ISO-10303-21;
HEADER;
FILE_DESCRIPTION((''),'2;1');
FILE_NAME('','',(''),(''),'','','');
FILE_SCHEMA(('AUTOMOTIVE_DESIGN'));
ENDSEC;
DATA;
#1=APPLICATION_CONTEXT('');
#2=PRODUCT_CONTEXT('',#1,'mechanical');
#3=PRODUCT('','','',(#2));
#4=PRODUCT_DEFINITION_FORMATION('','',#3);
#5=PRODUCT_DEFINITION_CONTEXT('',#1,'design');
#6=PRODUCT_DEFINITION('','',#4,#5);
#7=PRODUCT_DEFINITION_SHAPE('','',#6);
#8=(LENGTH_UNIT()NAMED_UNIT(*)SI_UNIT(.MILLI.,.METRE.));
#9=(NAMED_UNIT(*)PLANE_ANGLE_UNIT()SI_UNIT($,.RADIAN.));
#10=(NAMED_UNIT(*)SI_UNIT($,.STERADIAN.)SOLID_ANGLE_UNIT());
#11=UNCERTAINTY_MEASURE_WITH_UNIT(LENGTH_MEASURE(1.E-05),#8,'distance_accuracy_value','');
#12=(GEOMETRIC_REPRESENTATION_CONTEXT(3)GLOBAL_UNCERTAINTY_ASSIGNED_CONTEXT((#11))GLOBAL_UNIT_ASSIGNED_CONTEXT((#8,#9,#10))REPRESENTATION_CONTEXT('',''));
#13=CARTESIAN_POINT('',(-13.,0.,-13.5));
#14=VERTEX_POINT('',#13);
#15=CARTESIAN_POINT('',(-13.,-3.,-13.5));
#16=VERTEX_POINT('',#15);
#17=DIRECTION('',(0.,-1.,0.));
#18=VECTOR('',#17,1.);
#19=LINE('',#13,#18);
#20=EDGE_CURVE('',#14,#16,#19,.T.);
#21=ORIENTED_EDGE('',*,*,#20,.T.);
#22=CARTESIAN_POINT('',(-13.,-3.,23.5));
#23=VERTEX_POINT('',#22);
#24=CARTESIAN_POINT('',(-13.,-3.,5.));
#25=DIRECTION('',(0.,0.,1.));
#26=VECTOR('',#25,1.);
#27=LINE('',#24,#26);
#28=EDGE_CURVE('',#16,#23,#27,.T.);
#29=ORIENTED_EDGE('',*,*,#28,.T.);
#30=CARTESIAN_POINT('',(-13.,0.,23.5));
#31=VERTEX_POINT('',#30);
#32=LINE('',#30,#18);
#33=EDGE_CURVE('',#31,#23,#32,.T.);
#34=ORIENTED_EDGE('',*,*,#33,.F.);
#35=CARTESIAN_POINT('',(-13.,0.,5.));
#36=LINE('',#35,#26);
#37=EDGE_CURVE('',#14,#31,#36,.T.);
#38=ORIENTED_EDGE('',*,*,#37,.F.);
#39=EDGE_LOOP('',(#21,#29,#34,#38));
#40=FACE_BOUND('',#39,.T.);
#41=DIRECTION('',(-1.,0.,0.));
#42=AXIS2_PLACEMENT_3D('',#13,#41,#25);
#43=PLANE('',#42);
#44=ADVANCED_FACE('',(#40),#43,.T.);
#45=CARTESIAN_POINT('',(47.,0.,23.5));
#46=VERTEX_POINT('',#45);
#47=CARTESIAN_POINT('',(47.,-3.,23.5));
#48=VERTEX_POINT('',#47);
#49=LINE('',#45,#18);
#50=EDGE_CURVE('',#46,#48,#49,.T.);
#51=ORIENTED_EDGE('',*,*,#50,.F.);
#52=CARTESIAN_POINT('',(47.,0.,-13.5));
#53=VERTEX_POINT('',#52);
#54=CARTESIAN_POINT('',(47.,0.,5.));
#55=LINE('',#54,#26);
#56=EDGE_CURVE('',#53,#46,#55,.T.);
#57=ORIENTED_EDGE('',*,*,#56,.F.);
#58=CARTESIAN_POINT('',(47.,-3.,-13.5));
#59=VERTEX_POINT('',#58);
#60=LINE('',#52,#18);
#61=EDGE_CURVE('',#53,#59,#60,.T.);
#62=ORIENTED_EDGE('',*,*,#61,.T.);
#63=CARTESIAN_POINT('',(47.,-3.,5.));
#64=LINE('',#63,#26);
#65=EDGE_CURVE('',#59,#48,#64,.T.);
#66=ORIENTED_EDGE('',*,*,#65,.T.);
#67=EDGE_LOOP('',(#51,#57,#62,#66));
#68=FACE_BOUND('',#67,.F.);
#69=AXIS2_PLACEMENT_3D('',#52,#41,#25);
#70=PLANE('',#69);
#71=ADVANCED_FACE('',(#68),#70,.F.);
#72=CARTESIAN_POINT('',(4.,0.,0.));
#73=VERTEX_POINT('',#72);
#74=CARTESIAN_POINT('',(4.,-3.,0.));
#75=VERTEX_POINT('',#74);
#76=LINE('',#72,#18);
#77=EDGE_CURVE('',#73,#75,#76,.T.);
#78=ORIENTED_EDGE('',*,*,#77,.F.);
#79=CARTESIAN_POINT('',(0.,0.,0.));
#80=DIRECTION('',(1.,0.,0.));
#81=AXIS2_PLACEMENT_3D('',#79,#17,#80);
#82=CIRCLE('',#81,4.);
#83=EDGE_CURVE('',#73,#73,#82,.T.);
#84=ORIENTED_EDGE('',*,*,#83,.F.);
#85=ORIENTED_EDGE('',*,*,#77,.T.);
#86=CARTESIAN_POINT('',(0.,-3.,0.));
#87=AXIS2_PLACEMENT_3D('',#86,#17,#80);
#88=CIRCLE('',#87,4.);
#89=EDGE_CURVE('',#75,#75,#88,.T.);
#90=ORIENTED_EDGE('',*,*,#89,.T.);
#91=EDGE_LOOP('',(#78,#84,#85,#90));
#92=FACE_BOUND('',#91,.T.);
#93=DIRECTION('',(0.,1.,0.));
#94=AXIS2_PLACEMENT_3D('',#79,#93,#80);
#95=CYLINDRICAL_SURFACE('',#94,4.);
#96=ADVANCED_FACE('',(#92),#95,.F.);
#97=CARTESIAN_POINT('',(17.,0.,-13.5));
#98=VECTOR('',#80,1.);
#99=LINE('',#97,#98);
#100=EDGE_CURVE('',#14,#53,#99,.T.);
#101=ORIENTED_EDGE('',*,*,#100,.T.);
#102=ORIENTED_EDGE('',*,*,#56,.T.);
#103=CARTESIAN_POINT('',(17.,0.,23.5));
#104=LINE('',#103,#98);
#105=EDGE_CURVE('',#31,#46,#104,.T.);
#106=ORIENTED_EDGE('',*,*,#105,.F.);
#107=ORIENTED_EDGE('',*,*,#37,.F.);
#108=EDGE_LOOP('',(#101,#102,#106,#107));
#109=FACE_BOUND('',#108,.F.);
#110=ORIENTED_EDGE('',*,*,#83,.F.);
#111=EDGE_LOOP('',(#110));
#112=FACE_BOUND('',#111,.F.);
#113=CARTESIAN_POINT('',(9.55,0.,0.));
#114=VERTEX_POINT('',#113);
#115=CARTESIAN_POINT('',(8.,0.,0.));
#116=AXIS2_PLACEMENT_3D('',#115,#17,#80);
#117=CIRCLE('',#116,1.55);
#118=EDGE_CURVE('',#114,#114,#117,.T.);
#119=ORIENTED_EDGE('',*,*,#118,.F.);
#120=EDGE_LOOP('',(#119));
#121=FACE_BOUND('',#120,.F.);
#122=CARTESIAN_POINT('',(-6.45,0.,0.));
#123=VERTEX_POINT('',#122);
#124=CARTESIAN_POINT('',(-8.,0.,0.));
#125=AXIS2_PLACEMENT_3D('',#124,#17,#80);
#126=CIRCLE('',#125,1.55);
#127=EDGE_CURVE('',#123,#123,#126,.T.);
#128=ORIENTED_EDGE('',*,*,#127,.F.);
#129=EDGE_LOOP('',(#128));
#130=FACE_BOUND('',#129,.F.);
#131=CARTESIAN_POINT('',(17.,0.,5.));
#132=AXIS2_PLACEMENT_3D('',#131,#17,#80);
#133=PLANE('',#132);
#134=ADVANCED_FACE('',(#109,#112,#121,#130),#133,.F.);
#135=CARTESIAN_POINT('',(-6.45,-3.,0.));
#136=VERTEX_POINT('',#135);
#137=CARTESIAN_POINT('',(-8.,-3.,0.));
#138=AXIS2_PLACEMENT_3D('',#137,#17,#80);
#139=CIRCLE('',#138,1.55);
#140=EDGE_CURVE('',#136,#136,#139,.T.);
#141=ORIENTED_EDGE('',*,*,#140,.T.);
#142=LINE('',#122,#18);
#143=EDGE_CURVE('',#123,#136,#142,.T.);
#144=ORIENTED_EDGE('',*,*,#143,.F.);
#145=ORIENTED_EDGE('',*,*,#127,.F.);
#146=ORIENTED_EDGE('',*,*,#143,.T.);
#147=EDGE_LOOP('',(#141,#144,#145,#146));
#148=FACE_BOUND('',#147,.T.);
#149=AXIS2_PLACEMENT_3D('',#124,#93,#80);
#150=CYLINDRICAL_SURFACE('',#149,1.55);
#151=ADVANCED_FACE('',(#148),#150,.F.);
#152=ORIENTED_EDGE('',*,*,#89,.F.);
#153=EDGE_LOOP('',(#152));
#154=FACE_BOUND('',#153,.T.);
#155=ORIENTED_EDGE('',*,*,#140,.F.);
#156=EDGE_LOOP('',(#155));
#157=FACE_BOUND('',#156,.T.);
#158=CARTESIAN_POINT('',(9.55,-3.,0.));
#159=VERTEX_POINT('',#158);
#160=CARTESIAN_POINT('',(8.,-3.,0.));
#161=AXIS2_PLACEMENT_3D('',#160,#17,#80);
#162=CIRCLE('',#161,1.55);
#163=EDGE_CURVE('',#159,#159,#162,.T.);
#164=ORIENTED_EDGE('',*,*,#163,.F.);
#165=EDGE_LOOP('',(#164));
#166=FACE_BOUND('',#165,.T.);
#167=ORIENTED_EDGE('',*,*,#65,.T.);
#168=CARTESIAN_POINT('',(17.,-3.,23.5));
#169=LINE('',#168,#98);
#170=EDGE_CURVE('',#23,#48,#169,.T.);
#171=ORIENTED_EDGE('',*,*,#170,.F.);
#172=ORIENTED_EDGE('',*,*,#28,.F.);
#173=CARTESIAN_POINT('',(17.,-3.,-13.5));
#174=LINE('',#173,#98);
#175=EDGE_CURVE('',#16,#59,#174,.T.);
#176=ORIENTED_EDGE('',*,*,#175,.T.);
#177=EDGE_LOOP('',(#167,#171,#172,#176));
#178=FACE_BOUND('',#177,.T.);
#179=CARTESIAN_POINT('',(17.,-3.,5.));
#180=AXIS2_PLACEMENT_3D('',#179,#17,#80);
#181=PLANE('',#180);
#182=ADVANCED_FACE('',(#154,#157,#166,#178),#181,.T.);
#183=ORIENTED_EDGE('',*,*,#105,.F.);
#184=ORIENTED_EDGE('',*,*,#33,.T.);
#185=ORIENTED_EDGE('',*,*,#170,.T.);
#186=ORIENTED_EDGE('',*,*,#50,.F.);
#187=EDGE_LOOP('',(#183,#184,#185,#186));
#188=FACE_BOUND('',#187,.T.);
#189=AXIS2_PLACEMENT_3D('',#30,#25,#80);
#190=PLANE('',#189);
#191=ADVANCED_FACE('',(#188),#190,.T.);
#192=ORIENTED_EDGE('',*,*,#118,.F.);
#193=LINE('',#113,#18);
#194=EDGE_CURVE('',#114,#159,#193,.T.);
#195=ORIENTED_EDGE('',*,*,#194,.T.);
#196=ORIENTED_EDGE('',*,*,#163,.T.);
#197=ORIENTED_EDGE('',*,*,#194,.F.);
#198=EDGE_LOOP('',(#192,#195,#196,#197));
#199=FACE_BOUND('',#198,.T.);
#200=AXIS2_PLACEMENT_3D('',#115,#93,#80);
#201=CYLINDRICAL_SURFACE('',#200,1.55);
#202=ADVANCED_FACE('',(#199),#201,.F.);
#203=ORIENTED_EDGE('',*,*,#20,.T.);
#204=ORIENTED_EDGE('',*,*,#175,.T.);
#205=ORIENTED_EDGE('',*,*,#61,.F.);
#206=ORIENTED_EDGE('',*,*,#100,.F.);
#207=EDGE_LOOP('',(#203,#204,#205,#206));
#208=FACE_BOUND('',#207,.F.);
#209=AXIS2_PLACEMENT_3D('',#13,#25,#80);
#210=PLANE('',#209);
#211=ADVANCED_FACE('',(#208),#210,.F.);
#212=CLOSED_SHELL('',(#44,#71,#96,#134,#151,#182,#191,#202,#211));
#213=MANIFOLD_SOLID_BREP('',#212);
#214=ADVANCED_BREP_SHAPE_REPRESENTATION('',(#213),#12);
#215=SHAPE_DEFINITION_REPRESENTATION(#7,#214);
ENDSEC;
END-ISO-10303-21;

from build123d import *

# Parameters (mm, degrees)
F0_W     = 60
F0_H     = 37
F0_R     = 1.55
F0_R_2   = 4
F1_DEPTH = 3


with BuildPart() as f1:
    # F0 (on Front) → F1 (new body)
    with BuildSketch(Plane.XZ):
        with Locations((17, 5)):
            Rectangle(F0_W, F0_H)
        with Locations((-8, 0)):
            Circle(F0_R, mode=Mode.SUBTRACT)
        Circle(F0_R_2, mode=Mode.SUBTRACT)
        with Locations((8, 0)):
            Circle(F0_R, mode=Mode.SUBTRACT)
    extrude(amount=F1_DEPTH)


solid = f1.part
